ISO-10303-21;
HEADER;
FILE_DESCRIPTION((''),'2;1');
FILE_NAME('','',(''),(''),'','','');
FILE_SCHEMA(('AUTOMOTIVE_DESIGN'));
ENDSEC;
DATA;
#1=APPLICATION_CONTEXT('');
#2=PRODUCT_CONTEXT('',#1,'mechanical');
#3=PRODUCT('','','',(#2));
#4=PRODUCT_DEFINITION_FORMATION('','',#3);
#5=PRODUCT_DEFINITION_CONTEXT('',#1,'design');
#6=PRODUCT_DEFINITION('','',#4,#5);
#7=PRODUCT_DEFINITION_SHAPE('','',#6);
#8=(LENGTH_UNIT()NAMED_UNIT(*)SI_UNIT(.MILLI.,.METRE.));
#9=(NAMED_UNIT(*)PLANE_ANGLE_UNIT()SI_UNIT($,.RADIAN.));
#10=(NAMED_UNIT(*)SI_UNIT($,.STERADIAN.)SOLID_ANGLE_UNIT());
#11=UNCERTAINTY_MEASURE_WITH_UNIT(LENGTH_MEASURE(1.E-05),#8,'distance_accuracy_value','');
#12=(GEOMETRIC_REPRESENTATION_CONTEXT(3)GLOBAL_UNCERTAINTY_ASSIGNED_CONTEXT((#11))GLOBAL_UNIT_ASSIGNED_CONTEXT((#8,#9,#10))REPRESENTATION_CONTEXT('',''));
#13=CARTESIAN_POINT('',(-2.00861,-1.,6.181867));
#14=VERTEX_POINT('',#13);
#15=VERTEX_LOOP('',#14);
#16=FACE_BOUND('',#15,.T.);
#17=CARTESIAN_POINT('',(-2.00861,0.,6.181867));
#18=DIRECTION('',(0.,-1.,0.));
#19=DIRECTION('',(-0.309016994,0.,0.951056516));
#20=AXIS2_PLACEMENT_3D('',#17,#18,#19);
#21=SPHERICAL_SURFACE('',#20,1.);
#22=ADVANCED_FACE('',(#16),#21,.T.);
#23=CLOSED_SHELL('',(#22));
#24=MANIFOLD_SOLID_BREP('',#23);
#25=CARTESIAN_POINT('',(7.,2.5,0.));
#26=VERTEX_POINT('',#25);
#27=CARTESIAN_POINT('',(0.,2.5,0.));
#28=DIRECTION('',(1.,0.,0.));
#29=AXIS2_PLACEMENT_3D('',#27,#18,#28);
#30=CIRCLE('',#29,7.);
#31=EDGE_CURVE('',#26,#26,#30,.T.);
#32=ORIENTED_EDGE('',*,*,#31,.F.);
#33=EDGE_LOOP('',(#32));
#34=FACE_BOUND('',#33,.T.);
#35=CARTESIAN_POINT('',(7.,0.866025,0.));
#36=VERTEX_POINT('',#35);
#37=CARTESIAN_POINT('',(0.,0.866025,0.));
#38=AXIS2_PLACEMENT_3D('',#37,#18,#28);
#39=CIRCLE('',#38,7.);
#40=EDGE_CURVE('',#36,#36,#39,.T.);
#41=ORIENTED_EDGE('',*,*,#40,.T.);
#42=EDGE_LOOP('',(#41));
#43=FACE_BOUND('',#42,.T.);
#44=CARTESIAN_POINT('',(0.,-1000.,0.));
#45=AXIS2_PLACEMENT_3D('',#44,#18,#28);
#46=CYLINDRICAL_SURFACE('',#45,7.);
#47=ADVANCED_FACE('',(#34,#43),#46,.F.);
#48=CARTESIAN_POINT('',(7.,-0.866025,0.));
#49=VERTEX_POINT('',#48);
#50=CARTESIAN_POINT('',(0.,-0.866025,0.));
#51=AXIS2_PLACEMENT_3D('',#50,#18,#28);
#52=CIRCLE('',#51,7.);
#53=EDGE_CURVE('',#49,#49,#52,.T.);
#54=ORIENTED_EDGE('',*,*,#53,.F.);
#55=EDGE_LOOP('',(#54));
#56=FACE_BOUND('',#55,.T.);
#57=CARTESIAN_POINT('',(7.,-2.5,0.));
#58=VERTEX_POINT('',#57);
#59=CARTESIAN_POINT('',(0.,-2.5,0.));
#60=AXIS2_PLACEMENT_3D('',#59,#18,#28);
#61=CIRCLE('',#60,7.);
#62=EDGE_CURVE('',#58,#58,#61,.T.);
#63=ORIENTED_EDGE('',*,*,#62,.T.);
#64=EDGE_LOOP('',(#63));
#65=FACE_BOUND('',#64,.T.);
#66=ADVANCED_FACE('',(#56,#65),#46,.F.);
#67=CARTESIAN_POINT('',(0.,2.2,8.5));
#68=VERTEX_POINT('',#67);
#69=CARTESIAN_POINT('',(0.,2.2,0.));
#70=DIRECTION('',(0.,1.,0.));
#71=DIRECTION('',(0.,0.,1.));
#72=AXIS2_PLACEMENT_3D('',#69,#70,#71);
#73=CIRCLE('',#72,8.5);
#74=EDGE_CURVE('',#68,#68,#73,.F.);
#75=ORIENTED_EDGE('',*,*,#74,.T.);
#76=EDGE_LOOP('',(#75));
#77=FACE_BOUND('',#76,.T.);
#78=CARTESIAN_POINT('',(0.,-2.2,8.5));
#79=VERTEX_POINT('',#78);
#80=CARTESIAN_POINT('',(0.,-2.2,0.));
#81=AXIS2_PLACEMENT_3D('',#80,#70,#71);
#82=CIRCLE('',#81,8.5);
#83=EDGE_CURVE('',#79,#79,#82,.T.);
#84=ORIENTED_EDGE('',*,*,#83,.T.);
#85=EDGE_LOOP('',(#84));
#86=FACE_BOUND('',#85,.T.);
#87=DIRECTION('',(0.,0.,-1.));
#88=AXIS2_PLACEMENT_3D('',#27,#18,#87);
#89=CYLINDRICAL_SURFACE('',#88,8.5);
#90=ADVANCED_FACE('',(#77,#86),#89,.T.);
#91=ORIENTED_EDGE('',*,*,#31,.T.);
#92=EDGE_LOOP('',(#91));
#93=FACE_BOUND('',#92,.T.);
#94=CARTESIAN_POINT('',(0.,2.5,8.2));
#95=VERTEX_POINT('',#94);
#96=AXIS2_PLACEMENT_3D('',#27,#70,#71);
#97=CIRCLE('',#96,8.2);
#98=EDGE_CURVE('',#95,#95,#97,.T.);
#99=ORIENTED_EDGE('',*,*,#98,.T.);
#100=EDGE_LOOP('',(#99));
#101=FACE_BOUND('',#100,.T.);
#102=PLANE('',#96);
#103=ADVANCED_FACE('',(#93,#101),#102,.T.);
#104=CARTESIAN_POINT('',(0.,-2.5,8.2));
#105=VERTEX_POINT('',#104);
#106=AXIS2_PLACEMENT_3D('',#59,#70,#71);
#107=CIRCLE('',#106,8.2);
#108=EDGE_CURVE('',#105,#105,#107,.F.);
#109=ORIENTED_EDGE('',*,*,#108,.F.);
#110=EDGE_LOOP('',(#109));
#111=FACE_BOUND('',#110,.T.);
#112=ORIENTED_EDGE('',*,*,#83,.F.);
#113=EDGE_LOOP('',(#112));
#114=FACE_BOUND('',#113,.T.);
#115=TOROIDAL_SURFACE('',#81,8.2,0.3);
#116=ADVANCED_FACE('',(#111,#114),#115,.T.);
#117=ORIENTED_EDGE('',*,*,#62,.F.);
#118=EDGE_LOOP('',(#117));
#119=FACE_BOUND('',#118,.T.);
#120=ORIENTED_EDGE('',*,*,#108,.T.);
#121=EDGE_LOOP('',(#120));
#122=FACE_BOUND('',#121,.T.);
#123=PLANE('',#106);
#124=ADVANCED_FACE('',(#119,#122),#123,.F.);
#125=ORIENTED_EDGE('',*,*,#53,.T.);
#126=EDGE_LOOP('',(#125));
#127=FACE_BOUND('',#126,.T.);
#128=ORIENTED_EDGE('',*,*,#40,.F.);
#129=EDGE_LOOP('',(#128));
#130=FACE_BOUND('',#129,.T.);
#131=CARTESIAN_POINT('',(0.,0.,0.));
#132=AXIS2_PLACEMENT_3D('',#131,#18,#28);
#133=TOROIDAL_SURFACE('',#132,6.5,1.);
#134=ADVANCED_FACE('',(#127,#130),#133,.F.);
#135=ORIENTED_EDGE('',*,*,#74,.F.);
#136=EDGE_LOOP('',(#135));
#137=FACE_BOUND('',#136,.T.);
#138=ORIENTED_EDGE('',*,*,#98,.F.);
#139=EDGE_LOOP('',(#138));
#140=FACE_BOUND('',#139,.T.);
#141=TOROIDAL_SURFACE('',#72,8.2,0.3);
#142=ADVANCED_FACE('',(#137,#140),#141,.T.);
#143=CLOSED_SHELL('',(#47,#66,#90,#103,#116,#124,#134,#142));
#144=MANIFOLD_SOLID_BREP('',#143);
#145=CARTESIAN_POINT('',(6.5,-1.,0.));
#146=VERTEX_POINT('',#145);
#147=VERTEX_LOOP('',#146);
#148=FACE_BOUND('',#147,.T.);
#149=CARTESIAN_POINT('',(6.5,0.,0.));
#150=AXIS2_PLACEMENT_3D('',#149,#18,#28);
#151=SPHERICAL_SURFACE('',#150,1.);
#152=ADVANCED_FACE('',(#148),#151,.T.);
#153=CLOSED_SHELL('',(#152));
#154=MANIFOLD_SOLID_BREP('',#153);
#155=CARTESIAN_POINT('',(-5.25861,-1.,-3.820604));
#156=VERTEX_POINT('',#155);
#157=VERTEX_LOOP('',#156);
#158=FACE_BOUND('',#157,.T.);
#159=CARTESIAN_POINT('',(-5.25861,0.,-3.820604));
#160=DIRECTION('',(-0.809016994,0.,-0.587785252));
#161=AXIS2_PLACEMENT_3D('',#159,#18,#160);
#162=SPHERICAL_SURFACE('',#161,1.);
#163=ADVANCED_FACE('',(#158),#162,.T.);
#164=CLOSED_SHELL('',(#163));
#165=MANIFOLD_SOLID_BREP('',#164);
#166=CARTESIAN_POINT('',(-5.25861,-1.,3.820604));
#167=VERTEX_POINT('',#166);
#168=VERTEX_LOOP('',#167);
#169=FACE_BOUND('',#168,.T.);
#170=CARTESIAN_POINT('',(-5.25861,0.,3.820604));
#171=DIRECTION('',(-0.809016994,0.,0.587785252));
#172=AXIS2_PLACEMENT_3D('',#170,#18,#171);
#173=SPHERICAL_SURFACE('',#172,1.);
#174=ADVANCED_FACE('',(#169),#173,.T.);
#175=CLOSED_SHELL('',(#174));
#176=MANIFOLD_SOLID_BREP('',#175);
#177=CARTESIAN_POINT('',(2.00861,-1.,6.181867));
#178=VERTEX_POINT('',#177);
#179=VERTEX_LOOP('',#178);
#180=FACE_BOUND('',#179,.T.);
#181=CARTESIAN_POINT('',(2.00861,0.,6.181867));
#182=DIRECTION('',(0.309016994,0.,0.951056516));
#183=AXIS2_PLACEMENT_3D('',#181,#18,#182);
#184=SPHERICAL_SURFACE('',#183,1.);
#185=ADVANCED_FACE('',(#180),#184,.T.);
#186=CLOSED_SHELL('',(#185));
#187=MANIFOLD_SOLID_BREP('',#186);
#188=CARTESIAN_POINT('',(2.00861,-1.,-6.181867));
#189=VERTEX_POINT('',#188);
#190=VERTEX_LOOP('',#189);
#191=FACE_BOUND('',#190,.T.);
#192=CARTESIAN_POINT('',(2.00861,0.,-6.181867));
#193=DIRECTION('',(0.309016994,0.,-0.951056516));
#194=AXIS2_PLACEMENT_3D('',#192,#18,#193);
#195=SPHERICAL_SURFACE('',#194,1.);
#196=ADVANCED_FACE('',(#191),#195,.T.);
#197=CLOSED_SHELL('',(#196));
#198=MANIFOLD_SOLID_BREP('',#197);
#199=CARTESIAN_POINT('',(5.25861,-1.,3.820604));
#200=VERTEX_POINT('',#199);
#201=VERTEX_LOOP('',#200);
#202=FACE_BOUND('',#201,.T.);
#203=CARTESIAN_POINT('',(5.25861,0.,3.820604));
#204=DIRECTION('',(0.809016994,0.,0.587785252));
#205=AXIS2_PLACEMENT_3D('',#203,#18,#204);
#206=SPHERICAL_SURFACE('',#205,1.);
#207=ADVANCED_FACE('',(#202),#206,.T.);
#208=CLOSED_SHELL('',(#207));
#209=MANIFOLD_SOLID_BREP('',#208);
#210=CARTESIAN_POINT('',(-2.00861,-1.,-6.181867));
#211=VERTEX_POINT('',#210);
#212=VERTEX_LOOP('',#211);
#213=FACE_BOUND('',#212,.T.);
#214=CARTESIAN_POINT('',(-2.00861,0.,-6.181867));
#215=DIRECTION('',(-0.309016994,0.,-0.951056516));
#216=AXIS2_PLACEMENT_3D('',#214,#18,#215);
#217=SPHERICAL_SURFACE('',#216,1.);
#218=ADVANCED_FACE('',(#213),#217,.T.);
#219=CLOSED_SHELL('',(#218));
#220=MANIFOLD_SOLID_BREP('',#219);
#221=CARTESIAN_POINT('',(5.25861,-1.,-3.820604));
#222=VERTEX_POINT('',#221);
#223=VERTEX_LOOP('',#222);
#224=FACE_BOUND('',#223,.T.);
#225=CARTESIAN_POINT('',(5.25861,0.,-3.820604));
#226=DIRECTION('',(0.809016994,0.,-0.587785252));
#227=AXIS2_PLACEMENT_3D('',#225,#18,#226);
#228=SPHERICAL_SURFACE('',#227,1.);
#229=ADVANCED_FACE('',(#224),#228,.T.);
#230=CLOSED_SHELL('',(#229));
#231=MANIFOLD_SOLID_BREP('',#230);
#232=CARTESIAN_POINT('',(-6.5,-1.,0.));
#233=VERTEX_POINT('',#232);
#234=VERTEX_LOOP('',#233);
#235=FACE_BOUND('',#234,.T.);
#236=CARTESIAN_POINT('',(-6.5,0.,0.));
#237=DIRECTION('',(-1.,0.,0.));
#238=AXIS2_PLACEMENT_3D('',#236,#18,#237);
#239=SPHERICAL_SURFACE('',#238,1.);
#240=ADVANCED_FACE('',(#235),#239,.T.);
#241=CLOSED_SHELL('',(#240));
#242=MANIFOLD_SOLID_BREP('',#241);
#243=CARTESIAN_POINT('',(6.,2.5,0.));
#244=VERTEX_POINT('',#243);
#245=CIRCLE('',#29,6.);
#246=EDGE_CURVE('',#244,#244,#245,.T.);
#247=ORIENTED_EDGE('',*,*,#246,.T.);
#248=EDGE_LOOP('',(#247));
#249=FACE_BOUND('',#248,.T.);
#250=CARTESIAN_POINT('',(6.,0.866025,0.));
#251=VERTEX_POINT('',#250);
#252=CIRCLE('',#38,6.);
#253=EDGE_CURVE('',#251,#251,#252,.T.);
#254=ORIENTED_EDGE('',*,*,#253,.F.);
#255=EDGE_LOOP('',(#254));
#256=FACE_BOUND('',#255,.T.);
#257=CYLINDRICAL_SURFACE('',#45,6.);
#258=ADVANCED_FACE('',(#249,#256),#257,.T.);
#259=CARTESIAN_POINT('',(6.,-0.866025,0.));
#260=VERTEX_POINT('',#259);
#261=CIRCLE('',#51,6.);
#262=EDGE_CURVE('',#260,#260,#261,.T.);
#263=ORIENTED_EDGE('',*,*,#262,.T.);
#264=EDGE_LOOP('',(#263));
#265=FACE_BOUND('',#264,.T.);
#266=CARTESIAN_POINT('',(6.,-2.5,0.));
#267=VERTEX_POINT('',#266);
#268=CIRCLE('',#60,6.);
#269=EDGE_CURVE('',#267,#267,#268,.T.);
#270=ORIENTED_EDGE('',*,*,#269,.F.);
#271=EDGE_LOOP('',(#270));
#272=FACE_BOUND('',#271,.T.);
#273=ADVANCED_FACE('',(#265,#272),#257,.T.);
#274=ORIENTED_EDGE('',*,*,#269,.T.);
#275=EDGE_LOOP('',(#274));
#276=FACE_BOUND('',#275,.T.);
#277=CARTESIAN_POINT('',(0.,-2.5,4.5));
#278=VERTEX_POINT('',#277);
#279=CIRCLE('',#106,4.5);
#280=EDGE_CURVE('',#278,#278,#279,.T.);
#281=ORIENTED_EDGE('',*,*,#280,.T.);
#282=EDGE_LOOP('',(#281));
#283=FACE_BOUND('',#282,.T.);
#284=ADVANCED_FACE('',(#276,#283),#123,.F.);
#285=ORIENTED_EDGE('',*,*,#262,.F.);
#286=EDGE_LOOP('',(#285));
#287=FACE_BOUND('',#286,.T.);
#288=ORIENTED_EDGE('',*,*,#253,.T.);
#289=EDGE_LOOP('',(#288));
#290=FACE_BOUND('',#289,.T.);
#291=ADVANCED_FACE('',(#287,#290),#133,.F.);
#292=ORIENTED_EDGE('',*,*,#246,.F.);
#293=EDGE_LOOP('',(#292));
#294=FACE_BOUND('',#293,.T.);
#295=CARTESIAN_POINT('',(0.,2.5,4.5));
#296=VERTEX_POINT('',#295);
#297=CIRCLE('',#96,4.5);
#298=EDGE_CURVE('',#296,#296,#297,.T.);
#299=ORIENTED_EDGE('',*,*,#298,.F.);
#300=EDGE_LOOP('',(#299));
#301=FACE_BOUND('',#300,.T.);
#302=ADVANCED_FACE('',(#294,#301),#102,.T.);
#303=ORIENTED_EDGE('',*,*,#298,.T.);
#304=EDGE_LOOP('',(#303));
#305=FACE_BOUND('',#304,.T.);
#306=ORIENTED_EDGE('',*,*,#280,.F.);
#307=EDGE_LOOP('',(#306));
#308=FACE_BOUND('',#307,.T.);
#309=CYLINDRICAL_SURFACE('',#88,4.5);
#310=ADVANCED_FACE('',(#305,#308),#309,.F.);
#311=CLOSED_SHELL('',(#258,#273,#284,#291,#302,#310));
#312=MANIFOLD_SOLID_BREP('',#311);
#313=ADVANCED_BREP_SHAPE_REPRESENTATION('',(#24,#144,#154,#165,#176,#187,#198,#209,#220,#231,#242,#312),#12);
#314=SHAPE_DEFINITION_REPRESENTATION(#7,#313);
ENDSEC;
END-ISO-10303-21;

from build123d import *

# Parameters (mm, degrees)
SKETCH_1_R               = 8.5
SKETCH_1_R_2             = 4.5
EXTRUDE_1_DEPTH          = 2.5
FILLET_1_R               = 0.3
SKETCH_2_R               = 1
PATTERN_CIRCULAR_1_COUNT = 10


with BuildPart() as part:
    # 草图1 → 凸台-拉伸1 (new, symmetric)
    with BuildSketch(Plane(origin=(0, 0, 0), x_dir=(1, 0, 0), z_dir=(0, 1, 0))):
        with Locations(Location((0, 0, 0), (0, 0, 270))):
            Circle(SKETCH_1_R)
        with Locations(Location((0, 0, 0), (0, 0, 270))):
            Circle(SKETCH_1_R_2, mode=Mode.SUBTRACT)
    extrude(amount=EXTRUDE_1_DEPTH, both=True)

    # 圆角1
    fillet_1_edges = [part.edges().sort_by_distance(p)[0] for p in [
        (0, -2.5, -8.5),
        (0, 2.5, -8.5),
    ]]
    fillet(fillet_1_edges, radius=FILLET_1_R)

    # 草图2 → 切除-旋转1 (revolve, cut)
    with BuildSketch(Plane.XY, mode=Mode.PRIVATE) as cut_revolve_1_sk:
        with BuildLine():
            ThreePointArc((-7, 0.866025404), (-6.5, 1), (-6, 0.866025404))
            Line((-6, 0.866025404), (-6, 2.5))
            Line((-6, 2.5), (-7, 2.5))
            Line((-7, 2.5), (-7, 0.866025404))
        make_face()
        with Locations((-6.5, 0)):
            Circle(SKETCH_2_R)
        with BuildLine():
            Line((-6, -2.5), (-6, -0.866025404))
            ThreePointArc((-6, -0.866025404), (-6.5, -1), (-7, -0.866025404))
            Line((-7, -0.866025404), (-7, -2.5))
            Line((-7, -2.5), (-6, -2.5))
        make_face()
    revolve(cut_revolve_1_sk.sketch.rotate(Axis((0, -1000, 0), (0, 1, 0)), 180), axis=Axis((0, -1000, 0), (0, 1, 0)), mode=Mode.SUBTRACT)


with BuildPart() as cut_revolve_1_piece_1:
    # of the separate pieces the step leaves, piece 1, a body of its own (cut_revolve_1_pieces)
    add(part.part.solids().sort_by_distance((0, -2.2, 8.5))[0])


with BuildPart() as cut_revolve_1_piece_2:
    # of the separate pieces the step leaves, piece 2, a body of its own (cut_revolve_1_pieces)
    add(part.part.solids().sort_by_distance((6, -2.5, 0))[0])


with BuildPart() as body_3:
    # 草图3 → 旋转1 (revolve)
    with BuildSketch(Plane.XY):
        with BuildLine():
            Line((-6.5, -1), (-6.5, 1))
            ThreePointArc((-6.5, 1), (-7.5, 0), (-6.5, -1))
        make_face()
    revolve(axis=Axis((-6.5, -999.894878115, 0), (0, 1, 0)))


with BuildPart() as pattern_circular_1_1:
    # 阵列(圆周)1: pattern copy
    add(body_3.part.rotate(Axis((0, 0, 0), (0, 1, 0)), 1 * 360 / PATTERN_CIRCULAR_1_COUNT))


with BuildPart() as pattern_circular_1_2:
    # 阵列(圆周)1: pattern copy
    add(body_3.part.rotate(Axis((0, 0, 0), (0, 1, 0)), 2 * 360 / PATTERN_CIRCULAR_1_COUNT))


with BuildPart() as pattern_circular_1_3:
    # 阵列(圆周)1: pattern copy
    add(body_3.part.rotate(Axis((0, 0, 0), (0, 1, 0)), 3 * 360 / PATTERN_CIRCULAR_1_COUNT))


with BuildPart() as pattern_circular_1_4:
    # 阵列(圆周)1: pattern copy
    add(body_3.part.rotate(Axis((0, 0, 0), (0, 1, 0)), 4 * 360 / PATTERN_CIRCULAR_1_COUNT))


with BuildPart() as pattern_circular_1_5:
    # 阵列(圆周)1: pattern copy
    add(body_3.part.rotate(Axis((0, 0, 0), (0, 1, 0)), 5 * 360 / PATTERN_CIRCULAR_1_COUNT))


with BuildPart() as pattern_circular_1_6:
    # 阵列(圆周)1: pattern copy
    add(body_3.part.rotate(Axis((0, 0, 0), (0, 1, 0)), 6 * 360 / PATTERN_CIRCULAR_1_COUNT))


with BuildPart() as pattern_circular_1_7:
    # 阵列(圆周)1: pattern copy
    add(body_3.part.rotate(Axis((0, 0, 0), (0, 1, 0)), 7 * 360 / PATTERN_CIRCULAR_1_COUNT))


with BuildPart() as pattern_circular_1_8:
    # 阵列(圆周)1: pattern copy
    add(body_3.part.rotate(Axis((0, 0, 0), (0, 1, 0)), 8 * 360 / PATTERN_CIRCULAR_1_COUNT))


with BuildPart() as pattern_circular_1_9:
    # 阵列(圆周)1: pattern copy
    add(body_3.part.rotate(Axis((0, 0, 0), (0, 1, 0)), 9 * 360 / PATTERN_CIRCULAR_1_COUNT))


solid = Compound([cut_revolve_1_piece_1.part, cut_revolve_1_piece_2.part, body_3.part, pattern_circular_1_1.part, pattern_circular_1_2.part, pattern_circular_1_3.part, pattern_circular_1_4.part, pattern_circular_1_5.part, pattern_circular_1_6.part, pattern_circular_1_7.part, pattern_circular_1_8.part, pattern_circular_1_9.part])
